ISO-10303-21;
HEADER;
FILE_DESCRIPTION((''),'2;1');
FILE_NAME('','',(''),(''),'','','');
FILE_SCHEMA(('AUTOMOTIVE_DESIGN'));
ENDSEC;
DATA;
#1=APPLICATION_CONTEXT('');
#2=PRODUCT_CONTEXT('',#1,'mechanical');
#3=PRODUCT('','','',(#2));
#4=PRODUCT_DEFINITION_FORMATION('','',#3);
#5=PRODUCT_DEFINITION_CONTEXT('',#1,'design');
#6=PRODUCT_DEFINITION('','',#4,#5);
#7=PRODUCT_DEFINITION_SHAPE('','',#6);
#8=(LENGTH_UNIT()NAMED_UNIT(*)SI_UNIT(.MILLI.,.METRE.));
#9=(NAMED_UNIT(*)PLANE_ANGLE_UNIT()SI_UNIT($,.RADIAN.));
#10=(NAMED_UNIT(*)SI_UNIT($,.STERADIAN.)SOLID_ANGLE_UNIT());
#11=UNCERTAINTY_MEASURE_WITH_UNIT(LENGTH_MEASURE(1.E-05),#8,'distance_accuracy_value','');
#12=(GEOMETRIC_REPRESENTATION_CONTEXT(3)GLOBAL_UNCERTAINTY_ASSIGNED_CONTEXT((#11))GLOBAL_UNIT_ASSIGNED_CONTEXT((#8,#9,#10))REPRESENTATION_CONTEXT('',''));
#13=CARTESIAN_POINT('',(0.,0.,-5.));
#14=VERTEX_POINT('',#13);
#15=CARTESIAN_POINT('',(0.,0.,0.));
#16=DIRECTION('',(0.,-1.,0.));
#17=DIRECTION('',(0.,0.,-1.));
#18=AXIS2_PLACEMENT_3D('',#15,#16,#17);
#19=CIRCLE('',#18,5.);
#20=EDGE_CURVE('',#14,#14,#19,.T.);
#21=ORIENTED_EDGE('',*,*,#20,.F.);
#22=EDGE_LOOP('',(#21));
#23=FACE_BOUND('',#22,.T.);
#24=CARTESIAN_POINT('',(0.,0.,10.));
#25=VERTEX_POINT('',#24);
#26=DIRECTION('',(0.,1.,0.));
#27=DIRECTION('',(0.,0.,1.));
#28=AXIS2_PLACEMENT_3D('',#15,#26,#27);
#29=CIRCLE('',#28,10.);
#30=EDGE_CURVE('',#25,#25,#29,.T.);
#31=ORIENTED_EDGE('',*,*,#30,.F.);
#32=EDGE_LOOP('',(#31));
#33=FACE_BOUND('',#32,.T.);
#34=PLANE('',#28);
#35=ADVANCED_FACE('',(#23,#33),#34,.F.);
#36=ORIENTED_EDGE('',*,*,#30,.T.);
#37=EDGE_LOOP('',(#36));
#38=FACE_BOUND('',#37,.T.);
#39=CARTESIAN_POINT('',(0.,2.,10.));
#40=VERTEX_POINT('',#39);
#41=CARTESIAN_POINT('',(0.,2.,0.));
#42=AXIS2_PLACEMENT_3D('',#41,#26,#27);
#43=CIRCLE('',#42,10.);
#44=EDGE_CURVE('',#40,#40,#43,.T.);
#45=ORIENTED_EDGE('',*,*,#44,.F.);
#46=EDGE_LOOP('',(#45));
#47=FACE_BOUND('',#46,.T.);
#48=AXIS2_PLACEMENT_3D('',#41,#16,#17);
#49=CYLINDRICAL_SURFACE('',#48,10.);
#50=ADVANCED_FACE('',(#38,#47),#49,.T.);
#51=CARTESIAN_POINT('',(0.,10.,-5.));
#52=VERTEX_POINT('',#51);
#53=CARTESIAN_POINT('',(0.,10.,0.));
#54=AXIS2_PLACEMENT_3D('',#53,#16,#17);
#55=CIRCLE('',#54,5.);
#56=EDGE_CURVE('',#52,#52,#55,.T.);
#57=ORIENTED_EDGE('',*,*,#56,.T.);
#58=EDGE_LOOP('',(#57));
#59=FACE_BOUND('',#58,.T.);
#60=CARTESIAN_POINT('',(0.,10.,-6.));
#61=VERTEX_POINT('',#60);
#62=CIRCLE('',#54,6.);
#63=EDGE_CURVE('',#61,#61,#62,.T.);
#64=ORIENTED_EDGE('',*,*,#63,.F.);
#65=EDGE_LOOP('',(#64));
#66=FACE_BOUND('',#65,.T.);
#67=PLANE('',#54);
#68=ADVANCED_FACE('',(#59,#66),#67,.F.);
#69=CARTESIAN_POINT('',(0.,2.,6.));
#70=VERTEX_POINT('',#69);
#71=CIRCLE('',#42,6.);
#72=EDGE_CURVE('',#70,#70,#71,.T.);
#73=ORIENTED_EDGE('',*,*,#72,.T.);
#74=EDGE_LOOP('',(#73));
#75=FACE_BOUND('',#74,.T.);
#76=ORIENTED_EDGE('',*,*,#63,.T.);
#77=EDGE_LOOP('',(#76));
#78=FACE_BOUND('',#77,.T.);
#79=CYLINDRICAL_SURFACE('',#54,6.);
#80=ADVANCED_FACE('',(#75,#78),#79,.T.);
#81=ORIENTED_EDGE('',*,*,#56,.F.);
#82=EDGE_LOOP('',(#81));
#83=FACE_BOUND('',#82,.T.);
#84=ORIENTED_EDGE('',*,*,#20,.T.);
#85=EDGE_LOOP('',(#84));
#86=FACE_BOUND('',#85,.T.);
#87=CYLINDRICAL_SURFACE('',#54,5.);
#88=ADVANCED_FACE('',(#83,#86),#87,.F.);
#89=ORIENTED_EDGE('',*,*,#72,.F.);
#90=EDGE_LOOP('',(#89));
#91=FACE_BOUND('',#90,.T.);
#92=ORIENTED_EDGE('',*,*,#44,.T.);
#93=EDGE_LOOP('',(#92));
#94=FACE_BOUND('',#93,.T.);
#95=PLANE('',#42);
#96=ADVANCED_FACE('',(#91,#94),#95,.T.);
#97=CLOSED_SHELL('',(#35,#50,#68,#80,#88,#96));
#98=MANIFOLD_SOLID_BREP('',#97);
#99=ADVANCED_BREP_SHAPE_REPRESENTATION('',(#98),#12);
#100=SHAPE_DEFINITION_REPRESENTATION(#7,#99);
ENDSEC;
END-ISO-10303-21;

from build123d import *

# Parameters (mm, degrees)
SKETCH1_R           = 10
BOSS_EXTRUDE1_DEPTH = 2
SKETCH3_R           = 6
SKETCH3_R_2         = 5
BOSS_EXTRUDE2_DEPTH = 10
SKETCH4_R           = 5
CUT_EXTRUDE2_DEPTH  = 10


with BuildPart() as part:
    # Sketch1 → Boss-Extrude1 (new body)
    with BuildSketch(Plane(origin=(0, 0, 0), x_dir=(1, 0, 0), z_dir=(0, 1, 0))):
        Circle(SKETCH1_R)
    extrude(amount=BOSS_EXTRUDE1_DEPTH)

    # Sketch3 → Boss-Extrude2 (add)
    with BuildSketch(Plane.XZ):
        Circle(SKETCH3_R)
        Circle(SKETCH3_R_2, mode=Mode.SUBTRACT)
    extrude(amount=-BOSS_EXTRUDE2_DEPTH)

    # Sketch4 → Cut-Extrude2 (cut)
    with BuildSketch(Plane.XZ):
        Circle(SKETCH4_R)
    extrude(amount=-CUT_EXTRUDE2_DEPTH, mode=Mode.SUBTRACT)


solid = part.part
